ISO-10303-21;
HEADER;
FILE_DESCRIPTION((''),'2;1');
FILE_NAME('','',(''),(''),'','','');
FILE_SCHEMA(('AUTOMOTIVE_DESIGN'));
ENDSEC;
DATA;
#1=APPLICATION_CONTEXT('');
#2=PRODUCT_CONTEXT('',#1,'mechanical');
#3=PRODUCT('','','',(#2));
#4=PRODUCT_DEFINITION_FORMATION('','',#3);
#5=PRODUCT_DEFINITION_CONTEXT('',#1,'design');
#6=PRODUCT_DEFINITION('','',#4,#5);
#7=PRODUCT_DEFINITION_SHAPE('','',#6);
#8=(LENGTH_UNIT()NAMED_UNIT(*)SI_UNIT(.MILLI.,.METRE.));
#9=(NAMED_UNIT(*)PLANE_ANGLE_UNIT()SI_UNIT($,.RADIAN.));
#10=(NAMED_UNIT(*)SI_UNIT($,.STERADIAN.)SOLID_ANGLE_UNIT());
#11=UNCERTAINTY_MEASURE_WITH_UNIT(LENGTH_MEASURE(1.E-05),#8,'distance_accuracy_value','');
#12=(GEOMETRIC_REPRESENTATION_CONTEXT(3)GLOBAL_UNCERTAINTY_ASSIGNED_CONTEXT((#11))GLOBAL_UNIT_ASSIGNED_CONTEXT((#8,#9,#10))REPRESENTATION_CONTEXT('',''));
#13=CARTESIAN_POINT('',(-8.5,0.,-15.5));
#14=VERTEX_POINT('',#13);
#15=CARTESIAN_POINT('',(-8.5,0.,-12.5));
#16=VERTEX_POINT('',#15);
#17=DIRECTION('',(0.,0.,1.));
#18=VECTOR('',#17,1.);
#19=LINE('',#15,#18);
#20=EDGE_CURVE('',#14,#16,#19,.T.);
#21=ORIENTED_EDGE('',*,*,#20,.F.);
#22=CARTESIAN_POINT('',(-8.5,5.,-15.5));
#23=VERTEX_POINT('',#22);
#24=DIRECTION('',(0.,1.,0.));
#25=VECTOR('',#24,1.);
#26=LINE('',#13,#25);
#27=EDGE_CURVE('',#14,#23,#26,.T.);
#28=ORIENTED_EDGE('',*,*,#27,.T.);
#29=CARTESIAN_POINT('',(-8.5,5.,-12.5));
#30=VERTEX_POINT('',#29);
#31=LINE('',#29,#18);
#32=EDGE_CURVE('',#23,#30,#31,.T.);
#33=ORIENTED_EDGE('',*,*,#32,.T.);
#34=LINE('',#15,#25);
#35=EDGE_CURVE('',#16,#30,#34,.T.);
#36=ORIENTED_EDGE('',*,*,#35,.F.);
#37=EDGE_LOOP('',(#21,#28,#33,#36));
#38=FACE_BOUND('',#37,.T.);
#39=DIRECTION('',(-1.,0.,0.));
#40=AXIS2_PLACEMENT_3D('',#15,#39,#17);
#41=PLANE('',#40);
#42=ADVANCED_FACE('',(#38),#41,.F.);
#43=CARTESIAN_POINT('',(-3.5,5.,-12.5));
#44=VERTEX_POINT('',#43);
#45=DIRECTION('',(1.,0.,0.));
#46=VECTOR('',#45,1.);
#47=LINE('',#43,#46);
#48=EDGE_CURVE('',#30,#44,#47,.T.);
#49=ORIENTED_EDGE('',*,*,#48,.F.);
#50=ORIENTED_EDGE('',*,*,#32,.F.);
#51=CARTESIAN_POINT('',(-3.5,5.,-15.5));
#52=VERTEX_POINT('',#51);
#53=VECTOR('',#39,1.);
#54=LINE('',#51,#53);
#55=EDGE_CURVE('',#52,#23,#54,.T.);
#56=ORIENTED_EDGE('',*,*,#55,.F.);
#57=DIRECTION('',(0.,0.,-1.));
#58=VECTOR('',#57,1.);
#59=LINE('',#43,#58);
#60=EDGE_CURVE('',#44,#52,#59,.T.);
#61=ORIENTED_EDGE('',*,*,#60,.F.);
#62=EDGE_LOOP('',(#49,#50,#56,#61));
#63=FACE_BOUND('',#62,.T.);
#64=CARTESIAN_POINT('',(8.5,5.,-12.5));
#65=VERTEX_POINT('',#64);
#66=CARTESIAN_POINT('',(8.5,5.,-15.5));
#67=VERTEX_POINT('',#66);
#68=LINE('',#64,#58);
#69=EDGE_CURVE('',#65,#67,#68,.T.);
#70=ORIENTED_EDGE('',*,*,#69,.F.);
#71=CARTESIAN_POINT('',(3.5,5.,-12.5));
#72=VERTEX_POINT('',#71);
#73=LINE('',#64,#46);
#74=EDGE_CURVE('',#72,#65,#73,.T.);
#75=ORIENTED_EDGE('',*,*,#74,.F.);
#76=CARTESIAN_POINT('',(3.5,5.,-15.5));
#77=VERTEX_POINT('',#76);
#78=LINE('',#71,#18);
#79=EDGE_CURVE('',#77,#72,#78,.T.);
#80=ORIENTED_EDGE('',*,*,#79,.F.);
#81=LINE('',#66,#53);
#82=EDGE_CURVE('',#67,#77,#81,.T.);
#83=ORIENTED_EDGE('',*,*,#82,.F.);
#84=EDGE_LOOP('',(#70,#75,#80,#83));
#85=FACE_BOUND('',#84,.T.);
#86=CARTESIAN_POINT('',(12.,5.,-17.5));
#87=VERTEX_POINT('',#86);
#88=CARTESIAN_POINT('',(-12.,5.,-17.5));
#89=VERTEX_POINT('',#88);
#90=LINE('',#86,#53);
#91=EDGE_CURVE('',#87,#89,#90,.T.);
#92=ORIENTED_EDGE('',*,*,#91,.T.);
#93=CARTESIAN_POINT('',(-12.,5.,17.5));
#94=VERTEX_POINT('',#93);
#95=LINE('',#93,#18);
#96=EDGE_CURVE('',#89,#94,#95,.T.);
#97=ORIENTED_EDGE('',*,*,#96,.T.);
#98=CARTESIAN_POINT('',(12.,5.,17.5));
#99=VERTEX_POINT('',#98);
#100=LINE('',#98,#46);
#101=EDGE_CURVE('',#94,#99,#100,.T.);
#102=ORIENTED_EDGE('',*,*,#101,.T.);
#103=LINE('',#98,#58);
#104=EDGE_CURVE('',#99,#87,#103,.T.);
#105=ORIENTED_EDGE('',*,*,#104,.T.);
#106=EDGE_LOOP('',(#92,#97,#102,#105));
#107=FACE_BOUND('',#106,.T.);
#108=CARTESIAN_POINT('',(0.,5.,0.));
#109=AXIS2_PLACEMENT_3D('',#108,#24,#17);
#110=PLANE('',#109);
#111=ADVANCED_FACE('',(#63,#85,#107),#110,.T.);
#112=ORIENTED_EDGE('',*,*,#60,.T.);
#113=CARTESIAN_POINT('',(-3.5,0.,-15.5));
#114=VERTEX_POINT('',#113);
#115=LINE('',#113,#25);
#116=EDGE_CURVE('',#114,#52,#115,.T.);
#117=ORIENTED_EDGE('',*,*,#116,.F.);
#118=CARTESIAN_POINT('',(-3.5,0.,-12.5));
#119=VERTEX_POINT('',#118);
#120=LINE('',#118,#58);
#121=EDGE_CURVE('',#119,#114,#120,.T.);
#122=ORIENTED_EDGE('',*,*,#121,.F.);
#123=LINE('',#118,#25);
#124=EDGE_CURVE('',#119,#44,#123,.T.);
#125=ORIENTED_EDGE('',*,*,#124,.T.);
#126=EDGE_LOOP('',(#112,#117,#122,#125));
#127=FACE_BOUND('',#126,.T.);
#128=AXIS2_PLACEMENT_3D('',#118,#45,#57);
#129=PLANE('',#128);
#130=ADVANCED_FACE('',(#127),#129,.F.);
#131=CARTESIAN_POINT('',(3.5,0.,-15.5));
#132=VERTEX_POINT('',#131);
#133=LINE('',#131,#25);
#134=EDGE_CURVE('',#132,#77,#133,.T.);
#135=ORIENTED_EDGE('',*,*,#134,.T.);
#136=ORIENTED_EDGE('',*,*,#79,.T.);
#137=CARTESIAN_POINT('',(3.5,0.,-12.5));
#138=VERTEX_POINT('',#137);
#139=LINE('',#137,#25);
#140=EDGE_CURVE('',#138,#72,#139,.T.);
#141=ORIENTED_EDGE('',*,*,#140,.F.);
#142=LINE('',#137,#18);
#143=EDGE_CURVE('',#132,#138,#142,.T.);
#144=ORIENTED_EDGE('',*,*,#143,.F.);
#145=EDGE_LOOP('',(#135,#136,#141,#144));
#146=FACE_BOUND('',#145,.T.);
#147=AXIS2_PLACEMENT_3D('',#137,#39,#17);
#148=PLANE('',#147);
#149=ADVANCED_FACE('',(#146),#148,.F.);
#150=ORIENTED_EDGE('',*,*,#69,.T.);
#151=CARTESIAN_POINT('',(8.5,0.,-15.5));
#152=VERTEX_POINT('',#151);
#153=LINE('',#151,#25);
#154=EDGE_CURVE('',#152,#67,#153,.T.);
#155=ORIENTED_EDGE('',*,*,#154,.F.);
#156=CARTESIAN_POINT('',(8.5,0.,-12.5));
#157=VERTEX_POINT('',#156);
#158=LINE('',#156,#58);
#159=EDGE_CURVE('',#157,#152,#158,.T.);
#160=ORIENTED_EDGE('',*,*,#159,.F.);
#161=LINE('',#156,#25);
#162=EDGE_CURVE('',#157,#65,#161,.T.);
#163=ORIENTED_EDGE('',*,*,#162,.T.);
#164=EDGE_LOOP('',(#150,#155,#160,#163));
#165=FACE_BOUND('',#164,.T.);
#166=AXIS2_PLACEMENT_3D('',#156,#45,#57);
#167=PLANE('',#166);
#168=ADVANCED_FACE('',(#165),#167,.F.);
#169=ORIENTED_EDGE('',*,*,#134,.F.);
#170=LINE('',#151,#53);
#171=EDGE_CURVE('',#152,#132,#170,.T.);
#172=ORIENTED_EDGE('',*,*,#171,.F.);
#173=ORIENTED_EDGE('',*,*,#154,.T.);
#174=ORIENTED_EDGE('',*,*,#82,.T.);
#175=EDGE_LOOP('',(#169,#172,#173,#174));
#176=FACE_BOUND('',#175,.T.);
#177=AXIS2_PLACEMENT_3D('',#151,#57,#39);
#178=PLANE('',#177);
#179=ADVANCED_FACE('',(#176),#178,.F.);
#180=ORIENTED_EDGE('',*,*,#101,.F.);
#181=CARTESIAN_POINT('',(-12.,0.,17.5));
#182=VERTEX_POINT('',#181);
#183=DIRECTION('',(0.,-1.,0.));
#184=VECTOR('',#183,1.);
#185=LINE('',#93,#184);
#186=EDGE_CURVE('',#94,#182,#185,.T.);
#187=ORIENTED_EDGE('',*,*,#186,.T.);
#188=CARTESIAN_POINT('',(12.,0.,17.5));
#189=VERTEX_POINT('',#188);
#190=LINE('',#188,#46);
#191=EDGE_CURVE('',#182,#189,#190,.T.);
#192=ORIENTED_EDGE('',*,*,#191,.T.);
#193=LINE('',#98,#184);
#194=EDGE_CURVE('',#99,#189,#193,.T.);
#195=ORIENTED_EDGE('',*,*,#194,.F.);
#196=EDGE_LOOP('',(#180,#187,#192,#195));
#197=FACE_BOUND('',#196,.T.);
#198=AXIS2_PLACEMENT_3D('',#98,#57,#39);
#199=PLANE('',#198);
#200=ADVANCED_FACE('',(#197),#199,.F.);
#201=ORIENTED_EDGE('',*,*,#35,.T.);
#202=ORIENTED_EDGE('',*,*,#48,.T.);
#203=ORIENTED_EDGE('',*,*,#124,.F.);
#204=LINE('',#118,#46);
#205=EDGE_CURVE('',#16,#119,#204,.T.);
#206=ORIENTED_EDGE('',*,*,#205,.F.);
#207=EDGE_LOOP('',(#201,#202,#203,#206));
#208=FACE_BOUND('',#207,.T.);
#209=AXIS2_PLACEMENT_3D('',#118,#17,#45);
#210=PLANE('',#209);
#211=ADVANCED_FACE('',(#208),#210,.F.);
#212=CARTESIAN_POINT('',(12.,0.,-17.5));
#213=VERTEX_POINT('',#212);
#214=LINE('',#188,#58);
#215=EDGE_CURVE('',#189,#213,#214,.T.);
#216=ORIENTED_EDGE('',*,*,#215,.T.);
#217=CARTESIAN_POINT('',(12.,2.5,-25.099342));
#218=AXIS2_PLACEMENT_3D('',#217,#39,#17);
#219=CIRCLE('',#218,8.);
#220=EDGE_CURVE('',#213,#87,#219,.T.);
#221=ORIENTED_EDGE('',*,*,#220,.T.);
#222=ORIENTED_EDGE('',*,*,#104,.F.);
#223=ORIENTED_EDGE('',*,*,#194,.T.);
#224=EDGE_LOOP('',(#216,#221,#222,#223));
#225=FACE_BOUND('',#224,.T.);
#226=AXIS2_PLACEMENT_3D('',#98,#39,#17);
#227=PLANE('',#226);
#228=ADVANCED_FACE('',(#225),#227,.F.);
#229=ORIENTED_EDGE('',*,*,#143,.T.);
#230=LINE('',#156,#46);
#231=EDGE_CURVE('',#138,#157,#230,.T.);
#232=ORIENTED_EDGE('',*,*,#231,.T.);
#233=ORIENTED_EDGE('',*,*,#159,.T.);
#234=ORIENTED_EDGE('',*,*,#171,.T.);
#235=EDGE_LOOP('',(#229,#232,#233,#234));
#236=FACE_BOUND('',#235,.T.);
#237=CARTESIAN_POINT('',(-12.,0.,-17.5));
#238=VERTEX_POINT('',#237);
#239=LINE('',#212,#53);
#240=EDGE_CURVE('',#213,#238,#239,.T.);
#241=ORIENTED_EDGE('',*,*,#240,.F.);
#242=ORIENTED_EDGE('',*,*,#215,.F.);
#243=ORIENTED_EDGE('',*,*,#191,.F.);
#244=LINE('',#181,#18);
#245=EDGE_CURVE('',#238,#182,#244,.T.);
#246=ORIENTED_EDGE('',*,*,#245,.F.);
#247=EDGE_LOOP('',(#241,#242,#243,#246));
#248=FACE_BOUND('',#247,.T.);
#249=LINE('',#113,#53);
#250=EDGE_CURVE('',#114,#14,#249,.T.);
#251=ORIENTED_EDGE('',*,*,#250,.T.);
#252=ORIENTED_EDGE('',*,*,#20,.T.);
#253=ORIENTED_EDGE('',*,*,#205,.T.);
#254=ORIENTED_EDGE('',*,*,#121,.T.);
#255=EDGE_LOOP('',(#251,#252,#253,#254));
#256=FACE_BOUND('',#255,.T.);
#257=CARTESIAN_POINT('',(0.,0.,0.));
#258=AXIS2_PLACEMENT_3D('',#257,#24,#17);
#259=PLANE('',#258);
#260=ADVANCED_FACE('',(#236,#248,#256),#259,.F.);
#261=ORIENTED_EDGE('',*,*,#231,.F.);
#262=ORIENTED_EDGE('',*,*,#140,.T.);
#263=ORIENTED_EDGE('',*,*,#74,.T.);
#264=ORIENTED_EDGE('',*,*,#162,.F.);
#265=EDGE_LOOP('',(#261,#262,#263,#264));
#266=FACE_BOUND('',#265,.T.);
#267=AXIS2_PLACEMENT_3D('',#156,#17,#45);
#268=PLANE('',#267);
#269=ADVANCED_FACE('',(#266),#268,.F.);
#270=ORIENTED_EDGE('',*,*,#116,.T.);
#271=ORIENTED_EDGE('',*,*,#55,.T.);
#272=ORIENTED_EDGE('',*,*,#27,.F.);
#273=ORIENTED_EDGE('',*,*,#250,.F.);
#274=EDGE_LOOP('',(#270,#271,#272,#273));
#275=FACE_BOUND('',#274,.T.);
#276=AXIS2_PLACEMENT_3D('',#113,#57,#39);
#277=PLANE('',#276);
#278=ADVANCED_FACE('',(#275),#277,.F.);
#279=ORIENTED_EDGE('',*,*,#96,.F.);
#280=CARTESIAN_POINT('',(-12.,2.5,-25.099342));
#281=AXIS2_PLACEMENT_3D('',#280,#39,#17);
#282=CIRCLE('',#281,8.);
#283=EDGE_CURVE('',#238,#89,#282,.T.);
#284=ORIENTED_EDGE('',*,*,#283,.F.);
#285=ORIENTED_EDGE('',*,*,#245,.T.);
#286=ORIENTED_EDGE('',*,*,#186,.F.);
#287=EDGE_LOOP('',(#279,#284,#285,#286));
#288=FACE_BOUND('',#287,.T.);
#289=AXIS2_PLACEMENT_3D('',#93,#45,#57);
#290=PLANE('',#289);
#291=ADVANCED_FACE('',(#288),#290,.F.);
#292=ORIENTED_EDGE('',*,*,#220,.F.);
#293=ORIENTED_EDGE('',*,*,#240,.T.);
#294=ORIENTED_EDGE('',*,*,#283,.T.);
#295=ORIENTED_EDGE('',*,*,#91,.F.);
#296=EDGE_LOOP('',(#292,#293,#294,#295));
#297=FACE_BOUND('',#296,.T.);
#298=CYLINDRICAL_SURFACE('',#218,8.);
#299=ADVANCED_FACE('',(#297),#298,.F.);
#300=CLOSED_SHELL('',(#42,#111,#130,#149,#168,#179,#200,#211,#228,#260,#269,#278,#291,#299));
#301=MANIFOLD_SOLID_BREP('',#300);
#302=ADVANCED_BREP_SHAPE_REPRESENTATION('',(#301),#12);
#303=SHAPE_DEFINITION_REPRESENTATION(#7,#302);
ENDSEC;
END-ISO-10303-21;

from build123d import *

# Parameters (mm, degrees)
SCHIZZO2_W                 = 24
SCHIZZO2_H                 = 35
BASESUPPORTO_DEPTH         = 5
SCHIZZO3_R                 = 8
APPOGGIOALLONGHERONE_DEPTH = 31.120590964
SCHIZZO4_W                 = 5
SCHIZZO4_H                 = 3
FORIFASCETTE_DEPTH         = 22.800229357


with BuildPart() as part:
    # Schizzo2 → BaseSupporto (new body)
    with BuildSketch(Plane(origin=(0, 0, 0), x_dir=(1, 0, 0), z_dir=(0, 1, 0))):
        Rectangle(SCHIZZO2_W, SCHIZZO2_H)
    extrude(amount=BASESUPPORTO_DEPTH)

    # Schizzo3 → AppoggioAlLongherone (cut, through all)
    with BuildSketch(Plane.ZY.offset(12)):
        with Locations((-25.099342077, 2.5)):
            Circle(SCHIZZO3_R)
    extrude(amount=-APPOGGIOALLONGHERONE_DEPTH, mode=Mode.SUBTRACT)

    # Schizzo4 → ForiFascette (cut, through all)
    with BuildSketch(Plane(origin=(0, 5, 0), x_dir=(1, 0, 0), z_dir=(0, 1, 0))):
        with Locations((-6, 14)):
            Rectangle(SCHIZZO4_W, SCHIZZO4_H)
        with Locations((6, 14)):
            Rectangle(SCHIZZO4_W, SCHIZZO4_H)
    extrude(amount=-FORIFASCETTE_DEPTH, mode=Mode.SUBTRACT)


solid = part.part
